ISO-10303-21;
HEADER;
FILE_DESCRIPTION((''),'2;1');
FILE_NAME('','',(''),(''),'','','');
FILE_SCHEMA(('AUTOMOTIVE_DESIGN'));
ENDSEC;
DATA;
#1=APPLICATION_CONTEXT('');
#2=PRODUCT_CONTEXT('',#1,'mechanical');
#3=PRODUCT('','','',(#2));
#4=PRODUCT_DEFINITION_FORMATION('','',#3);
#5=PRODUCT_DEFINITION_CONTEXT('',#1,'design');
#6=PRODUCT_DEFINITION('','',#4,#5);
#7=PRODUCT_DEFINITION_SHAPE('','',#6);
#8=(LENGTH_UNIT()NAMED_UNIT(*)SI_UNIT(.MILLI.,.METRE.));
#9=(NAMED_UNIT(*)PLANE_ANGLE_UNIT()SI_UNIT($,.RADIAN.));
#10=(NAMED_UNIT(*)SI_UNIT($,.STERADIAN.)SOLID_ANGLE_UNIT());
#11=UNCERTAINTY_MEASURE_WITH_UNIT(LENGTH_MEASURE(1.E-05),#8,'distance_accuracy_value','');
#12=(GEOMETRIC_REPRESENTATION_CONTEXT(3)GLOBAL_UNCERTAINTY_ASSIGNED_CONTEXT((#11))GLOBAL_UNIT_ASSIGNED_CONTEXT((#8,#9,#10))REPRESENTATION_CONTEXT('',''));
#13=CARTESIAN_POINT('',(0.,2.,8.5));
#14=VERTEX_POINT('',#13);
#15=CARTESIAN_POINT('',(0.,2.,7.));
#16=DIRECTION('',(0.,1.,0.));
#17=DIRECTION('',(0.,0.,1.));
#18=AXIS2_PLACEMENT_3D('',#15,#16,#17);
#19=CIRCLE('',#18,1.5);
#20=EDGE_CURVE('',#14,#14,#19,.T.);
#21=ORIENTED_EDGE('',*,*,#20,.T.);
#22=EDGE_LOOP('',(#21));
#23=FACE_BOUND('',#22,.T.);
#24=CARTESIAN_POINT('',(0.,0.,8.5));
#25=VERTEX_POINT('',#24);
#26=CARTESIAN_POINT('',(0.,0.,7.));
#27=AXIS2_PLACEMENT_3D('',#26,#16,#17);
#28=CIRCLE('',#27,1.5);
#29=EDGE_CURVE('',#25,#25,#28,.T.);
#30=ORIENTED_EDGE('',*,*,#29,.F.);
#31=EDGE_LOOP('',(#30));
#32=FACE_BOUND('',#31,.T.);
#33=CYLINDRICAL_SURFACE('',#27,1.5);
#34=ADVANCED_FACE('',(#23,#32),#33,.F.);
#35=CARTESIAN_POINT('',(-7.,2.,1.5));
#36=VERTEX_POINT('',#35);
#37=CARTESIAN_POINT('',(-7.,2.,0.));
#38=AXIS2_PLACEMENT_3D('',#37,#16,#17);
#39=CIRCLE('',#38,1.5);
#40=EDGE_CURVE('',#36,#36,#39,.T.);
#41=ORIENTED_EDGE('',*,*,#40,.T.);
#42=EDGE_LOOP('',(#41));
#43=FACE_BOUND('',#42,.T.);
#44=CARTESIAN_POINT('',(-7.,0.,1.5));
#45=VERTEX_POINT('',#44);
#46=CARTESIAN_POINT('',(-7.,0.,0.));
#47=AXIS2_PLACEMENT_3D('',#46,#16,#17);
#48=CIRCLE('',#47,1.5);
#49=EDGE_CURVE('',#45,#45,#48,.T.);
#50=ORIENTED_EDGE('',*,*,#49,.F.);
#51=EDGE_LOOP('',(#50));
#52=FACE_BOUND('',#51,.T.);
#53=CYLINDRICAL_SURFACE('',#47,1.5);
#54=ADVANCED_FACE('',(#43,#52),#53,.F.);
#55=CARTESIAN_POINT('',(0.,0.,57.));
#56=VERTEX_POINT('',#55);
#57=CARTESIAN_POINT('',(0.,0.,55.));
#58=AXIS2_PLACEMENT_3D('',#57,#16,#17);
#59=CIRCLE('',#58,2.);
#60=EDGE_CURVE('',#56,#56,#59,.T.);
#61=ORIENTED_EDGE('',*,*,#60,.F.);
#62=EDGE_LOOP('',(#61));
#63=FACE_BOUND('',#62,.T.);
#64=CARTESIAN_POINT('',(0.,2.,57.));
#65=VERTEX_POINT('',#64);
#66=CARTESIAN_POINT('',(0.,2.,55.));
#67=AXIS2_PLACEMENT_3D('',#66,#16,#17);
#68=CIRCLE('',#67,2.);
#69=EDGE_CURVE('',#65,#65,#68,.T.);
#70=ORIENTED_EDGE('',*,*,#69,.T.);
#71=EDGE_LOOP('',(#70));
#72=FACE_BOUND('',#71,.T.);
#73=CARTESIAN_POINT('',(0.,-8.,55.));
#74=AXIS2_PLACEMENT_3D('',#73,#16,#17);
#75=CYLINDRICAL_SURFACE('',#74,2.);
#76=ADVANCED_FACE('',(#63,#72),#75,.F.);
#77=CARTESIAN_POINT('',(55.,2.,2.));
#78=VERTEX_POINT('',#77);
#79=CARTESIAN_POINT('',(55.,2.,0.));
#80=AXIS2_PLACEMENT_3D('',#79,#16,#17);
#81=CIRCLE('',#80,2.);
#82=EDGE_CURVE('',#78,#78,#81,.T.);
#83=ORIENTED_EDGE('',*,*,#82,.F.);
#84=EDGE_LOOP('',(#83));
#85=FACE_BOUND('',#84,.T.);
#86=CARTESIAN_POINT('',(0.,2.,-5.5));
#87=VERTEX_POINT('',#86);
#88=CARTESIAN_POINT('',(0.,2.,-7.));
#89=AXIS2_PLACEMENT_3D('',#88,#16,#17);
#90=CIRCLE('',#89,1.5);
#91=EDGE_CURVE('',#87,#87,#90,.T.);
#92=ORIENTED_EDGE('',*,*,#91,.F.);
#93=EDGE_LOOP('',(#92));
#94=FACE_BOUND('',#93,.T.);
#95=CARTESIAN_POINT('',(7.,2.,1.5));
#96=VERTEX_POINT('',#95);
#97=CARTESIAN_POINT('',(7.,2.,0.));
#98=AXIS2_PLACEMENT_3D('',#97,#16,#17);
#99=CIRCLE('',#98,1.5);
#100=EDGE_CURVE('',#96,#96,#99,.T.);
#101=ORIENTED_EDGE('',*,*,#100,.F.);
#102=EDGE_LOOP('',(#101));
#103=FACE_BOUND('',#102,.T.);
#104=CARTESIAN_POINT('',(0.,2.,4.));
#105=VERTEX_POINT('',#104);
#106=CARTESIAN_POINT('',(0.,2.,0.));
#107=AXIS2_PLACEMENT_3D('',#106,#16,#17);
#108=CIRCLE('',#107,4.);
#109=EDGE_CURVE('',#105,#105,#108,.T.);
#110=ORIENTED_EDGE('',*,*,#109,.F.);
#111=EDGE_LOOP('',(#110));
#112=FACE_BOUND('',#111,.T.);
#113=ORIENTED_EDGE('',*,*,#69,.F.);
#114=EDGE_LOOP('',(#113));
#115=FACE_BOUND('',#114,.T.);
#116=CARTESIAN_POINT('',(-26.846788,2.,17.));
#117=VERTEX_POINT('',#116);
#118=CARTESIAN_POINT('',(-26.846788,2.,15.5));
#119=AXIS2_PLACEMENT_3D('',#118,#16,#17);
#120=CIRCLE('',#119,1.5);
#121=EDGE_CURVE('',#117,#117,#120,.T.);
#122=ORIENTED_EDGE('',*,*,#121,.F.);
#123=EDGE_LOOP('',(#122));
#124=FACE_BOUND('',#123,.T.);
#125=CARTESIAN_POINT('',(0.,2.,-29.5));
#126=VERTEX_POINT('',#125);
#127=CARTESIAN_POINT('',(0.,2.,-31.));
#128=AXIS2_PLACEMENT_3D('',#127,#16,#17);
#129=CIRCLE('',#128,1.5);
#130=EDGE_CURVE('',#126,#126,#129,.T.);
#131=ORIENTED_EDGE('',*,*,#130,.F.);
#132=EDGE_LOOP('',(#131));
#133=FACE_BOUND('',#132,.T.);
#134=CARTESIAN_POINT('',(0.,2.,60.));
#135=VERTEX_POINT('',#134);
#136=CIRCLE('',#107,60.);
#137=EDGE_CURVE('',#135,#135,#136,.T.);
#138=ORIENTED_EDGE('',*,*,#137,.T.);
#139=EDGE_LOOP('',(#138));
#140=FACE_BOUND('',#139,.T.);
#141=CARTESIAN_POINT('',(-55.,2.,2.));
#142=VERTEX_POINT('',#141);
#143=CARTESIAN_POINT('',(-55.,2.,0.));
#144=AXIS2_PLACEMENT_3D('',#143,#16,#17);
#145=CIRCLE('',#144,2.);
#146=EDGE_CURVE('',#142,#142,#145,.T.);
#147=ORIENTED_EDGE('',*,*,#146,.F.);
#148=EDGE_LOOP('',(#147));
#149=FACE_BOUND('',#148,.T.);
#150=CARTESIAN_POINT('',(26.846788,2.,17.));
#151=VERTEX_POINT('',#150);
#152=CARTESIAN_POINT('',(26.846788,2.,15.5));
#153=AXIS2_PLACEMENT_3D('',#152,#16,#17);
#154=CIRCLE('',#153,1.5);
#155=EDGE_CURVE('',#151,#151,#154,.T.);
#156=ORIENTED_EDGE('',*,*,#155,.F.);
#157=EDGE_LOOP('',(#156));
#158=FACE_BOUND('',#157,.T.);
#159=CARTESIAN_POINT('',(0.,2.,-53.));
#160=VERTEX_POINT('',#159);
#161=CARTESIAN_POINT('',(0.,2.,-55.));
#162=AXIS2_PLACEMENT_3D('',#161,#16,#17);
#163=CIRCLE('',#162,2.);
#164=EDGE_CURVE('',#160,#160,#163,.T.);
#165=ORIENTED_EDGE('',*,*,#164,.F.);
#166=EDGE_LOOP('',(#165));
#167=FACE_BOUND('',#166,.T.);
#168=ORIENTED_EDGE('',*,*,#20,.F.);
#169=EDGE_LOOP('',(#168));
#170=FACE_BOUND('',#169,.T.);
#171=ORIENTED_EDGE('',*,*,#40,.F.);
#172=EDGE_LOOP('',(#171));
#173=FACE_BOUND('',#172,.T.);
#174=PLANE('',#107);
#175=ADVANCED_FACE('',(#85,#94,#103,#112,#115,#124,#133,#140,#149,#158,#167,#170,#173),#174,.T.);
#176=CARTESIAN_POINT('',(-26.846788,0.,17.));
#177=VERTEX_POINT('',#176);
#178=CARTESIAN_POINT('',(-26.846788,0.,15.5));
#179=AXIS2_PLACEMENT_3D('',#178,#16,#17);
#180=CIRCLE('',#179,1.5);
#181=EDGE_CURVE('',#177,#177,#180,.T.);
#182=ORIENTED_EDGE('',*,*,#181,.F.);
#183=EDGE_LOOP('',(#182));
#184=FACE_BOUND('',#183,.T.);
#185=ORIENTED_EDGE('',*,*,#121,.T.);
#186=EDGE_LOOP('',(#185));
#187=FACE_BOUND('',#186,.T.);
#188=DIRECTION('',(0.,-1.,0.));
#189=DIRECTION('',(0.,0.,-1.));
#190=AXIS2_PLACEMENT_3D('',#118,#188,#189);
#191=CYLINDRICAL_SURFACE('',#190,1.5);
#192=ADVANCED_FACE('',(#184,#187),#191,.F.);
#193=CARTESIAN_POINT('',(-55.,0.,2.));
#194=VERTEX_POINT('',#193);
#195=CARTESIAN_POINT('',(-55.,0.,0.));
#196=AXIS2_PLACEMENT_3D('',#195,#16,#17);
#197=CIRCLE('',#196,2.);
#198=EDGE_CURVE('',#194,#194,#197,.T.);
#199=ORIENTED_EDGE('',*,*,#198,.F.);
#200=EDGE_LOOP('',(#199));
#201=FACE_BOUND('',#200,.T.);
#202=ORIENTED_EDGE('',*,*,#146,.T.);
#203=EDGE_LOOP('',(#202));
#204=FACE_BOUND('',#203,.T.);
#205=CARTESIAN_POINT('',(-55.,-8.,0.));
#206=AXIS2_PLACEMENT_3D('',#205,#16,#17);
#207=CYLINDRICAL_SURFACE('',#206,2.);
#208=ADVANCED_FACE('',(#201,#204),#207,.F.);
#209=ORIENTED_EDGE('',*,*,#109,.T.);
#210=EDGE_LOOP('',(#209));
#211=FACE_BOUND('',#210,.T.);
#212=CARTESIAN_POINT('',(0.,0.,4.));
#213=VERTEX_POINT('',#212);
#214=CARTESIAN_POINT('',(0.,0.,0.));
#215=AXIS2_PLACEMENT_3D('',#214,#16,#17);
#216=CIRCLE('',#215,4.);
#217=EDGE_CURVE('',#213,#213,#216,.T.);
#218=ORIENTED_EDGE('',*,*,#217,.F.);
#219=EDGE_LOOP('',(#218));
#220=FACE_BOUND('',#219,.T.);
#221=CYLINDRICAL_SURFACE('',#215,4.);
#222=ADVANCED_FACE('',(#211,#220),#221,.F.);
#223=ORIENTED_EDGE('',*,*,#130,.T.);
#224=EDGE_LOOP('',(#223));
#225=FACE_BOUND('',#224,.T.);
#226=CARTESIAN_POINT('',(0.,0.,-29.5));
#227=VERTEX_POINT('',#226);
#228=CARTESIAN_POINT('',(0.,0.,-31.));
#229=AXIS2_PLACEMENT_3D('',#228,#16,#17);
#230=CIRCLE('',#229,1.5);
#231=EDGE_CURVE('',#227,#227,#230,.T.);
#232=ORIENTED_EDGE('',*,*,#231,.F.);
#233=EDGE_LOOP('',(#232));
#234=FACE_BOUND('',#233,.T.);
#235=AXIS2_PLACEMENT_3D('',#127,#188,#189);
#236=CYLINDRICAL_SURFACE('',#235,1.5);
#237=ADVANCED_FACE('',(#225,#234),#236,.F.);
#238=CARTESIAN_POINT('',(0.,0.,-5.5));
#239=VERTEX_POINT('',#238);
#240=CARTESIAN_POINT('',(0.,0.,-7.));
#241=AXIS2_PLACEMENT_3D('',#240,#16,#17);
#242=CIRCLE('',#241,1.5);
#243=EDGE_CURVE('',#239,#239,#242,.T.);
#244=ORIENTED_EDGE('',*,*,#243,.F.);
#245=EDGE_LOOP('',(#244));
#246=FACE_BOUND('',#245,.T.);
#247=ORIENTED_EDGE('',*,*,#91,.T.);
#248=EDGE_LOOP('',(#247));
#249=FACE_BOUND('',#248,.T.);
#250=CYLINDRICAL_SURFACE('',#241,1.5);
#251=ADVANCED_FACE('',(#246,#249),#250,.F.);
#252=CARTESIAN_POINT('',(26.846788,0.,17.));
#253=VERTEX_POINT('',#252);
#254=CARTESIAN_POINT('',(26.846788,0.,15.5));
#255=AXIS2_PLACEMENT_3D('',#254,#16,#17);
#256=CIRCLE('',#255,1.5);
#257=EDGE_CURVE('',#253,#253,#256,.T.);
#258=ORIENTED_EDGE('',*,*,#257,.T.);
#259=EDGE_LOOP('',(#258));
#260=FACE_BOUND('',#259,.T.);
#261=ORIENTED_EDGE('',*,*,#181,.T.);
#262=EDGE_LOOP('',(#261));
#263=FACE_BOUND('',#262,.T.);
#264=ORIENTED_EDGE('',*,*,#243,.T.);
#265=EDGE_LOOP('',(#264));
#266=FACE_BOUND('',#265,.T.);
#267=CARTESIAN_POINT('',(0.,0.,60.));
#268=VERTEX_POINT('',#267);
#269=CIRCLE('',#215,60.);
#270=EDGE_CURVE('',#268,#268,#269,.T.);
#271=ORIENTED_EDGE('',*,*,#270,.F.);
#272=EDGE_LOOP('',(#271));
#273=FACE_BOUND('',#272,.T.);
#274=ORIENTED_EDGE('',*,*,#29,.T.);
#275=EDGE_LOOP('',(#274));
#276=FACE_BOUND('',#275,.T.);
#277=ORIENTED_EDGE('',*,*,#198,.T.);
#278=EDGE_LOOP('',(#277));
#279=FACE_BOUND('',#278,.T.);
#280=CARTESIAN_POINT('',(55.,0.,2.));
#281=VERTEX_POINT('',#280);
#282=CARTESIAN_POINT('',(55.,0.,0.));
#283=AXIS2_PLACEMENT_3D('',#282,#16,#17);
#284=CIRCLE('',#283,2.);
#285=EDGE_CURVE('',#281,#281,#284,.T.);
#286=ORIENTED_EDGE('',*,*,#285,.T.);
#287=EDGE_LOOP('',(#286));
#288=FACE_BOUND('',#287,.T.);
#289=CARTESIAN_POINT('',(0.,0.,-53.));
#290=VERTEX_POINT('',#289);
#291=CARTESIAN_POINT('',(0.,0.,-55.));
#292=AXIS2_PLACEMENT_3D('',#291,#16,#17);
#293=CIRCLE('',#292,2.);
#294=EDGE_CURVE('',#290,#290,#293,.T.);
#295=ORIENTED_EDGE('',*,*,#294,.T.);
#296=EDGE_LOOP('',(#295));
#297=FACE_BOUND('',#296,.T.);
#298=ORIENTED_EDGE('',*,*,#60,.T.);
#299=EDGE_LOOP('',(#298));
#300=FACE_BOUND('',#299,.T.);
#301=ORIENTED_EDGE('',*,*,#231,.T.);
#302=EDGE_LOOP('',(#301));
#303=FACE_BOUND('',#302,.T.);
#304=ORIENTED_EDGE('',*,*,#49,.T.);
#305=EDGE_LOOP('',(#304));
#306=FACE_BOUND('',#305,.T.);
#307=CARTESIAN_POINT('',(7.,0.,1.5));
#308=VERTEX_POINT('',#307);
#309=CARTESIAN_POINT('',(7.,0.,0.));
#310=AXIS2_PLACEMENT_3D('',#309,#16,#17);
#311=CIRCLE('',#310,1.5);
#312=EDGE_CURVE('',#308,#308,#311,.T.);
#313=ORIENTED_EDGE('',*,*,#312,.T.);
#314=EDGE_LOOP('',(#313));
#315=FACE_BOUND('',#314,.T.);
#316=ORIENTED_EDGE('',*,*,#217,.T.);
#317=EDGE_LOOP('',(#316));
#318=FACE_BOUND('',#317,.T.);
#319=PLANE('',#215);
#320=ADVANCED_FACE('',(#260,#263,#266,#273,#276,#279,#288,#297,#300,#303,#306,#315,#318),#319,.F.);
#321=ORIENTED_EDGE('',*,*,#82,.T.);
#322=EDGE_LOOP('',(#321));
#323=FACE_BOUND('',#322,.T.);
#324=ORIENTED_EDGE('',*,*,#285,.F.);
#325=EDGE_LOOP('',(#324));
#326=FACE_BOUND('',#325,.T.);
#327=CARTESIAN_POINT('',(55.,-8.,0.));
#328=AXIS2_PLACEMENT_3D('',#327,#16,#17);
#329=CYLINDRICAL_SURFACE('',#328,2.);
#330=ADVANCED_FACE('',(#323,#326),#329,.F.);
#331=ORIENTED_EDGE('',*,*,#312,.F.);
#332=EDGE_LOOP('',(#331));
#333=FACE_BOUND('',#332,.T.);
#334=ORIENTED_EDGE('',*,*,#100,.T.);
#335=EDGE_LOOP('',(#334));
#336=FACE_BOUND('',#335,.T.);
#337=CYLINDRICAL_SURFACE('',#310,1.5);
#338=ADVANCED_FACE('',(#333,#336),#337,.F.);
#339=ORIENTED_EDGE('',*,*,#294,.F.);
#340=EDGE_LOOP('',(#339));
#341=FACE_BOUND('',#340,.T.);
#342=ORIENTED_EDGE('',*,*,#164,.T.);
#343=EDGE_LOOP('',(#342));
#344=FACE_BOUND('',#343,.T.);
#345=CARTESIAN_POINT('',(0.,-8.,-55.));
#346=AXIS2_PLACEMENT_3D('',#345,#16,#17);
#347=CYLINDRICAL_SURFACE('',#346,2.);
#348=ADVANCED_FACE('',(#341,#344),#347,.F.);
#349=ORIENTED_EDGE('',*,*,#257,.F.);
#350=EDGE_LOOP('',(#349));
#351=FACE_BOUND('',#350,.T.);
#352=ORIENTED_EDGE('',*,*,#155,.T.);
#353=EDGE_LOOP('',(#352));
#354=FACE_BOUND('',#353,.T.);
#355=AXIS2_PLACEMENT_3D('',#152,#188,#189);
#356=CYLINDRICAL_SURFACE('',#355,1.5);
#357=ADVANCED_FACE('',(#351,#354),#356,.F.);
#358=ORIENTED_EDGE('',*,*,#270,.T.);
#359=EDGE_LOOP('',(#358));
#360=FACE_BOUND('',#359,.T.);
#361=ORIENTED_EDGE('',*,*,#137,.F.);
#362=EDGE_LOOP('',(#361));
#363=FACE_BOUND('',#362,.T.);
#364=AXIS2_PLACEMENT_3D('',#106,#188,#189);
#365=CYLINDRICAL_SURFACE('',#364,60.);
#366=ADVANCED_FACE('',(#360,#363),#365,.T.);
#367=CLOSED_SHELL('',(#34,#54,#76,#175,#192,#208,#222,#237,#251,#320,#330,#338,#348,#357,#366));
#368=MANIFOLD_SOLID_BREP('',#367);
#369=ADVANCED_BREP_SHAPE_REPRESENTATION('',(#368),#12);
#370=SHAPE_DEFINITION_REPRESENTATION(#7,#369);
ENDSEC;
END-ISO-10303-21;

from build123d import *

# Parameters (mm, degrees)
SKETCH_1_R          = 60
SKETCH_1_R_2        = 1.5
EXTRUDE_1_DEPTH     = 2
SKETCH_2_R          = 4
SKETCH_2_R_2        = 1.5
CUT_EXTRUDE_1_DEPTH = 2
SKETCH_3_R          = 2
CUT_EXTRUDE_2_DEPTH = 10


with BuildPart() as part:
    # 草图1 → 凸台-拉伸1 (new body)
    with BuildSketch(Plane(origin=(0, 0, 0), x_dir=(1, 0, 0), z_dir=(0, 1, 0))):
        with Locations(Location((0, 0, 0), (0, 0, 270))):
            Circle(SKETCH_1_R)
        with Locations(Location((0, 31, 0), (0, 0, 270))):
            Circle(SKETCH_1_R_2, mode=Mode.SUBTRACT)
        with Locations(Location((26.846787517, -15.5, 0), (0, 0, 270))):
            Circle(SKETCH_1_R_2, mode=Mode.SUBTRACT)
        with Locations(Location((-26.846787517, -15.5, 0), (0, 0, 270))):
            Circle(SKETCH_1_R_2, mode=Mode.SUBTRACT)
    extrude(amount=EXTRUDE_1_DEPTH)

    # 草图2 → 切除-拉伸1 (cut)
    with BuildSketch(Plane(origin=(0, 2, 0), x_dir=(1, 0, 0), z_dir=(0, 1, 0))):
        with Locations(Location((0, 0, 0), (0, 0, 270))):
            Circle(SKETCH_2_R)
        with Locations(Location((0, 7, 0), (0, 0, 270))):
            Circle(SKETCH_2_R_2)
        with Locations(Location((7, 0, 0), (0, 0, 270))):
            Circle(SKETCH_2_R_2)
        with Locations(Location((0, -7, 0), (0, 0, 270))):
            Circle(SKETCH_2_R_2)
        with Locations(Location((-7, 0, 0), (0, 0, 270))):
            Circle(SKETCH_2_R_2)
    extrude(amount=-CUT_EXTRUDE_1_DEPTH, mode=Mode.SUBTRACT)

    # 草图3 → 切除-拉伸2 (cut)
    with BuildSketch(Plane(origin=(0, 2, 0), x_dir=(1, 0, 0), z_dir=(0, 1, 0))):
        with Locations(Location((0, 55, 0), (0, 0, 270))):
            Circle(SKETCH_3_R)
        with Locations(Location((55, 0, 0), (0, 0, 270))):
            Circle(SKETCH_3_R)
        with Locations(Location((0, -55, 0), (0, 0, 270))):
            Circle(SKETCH_3_R)
        with Locations(Location((-55, 0, 0), (0, 0, 270))):
            Circle(SKETCH_3_R)
    extrude(amount=-CUT_EXTRUDE_2_DEPTH, mode=Mode.SUBTRACT)


solid = part.part
